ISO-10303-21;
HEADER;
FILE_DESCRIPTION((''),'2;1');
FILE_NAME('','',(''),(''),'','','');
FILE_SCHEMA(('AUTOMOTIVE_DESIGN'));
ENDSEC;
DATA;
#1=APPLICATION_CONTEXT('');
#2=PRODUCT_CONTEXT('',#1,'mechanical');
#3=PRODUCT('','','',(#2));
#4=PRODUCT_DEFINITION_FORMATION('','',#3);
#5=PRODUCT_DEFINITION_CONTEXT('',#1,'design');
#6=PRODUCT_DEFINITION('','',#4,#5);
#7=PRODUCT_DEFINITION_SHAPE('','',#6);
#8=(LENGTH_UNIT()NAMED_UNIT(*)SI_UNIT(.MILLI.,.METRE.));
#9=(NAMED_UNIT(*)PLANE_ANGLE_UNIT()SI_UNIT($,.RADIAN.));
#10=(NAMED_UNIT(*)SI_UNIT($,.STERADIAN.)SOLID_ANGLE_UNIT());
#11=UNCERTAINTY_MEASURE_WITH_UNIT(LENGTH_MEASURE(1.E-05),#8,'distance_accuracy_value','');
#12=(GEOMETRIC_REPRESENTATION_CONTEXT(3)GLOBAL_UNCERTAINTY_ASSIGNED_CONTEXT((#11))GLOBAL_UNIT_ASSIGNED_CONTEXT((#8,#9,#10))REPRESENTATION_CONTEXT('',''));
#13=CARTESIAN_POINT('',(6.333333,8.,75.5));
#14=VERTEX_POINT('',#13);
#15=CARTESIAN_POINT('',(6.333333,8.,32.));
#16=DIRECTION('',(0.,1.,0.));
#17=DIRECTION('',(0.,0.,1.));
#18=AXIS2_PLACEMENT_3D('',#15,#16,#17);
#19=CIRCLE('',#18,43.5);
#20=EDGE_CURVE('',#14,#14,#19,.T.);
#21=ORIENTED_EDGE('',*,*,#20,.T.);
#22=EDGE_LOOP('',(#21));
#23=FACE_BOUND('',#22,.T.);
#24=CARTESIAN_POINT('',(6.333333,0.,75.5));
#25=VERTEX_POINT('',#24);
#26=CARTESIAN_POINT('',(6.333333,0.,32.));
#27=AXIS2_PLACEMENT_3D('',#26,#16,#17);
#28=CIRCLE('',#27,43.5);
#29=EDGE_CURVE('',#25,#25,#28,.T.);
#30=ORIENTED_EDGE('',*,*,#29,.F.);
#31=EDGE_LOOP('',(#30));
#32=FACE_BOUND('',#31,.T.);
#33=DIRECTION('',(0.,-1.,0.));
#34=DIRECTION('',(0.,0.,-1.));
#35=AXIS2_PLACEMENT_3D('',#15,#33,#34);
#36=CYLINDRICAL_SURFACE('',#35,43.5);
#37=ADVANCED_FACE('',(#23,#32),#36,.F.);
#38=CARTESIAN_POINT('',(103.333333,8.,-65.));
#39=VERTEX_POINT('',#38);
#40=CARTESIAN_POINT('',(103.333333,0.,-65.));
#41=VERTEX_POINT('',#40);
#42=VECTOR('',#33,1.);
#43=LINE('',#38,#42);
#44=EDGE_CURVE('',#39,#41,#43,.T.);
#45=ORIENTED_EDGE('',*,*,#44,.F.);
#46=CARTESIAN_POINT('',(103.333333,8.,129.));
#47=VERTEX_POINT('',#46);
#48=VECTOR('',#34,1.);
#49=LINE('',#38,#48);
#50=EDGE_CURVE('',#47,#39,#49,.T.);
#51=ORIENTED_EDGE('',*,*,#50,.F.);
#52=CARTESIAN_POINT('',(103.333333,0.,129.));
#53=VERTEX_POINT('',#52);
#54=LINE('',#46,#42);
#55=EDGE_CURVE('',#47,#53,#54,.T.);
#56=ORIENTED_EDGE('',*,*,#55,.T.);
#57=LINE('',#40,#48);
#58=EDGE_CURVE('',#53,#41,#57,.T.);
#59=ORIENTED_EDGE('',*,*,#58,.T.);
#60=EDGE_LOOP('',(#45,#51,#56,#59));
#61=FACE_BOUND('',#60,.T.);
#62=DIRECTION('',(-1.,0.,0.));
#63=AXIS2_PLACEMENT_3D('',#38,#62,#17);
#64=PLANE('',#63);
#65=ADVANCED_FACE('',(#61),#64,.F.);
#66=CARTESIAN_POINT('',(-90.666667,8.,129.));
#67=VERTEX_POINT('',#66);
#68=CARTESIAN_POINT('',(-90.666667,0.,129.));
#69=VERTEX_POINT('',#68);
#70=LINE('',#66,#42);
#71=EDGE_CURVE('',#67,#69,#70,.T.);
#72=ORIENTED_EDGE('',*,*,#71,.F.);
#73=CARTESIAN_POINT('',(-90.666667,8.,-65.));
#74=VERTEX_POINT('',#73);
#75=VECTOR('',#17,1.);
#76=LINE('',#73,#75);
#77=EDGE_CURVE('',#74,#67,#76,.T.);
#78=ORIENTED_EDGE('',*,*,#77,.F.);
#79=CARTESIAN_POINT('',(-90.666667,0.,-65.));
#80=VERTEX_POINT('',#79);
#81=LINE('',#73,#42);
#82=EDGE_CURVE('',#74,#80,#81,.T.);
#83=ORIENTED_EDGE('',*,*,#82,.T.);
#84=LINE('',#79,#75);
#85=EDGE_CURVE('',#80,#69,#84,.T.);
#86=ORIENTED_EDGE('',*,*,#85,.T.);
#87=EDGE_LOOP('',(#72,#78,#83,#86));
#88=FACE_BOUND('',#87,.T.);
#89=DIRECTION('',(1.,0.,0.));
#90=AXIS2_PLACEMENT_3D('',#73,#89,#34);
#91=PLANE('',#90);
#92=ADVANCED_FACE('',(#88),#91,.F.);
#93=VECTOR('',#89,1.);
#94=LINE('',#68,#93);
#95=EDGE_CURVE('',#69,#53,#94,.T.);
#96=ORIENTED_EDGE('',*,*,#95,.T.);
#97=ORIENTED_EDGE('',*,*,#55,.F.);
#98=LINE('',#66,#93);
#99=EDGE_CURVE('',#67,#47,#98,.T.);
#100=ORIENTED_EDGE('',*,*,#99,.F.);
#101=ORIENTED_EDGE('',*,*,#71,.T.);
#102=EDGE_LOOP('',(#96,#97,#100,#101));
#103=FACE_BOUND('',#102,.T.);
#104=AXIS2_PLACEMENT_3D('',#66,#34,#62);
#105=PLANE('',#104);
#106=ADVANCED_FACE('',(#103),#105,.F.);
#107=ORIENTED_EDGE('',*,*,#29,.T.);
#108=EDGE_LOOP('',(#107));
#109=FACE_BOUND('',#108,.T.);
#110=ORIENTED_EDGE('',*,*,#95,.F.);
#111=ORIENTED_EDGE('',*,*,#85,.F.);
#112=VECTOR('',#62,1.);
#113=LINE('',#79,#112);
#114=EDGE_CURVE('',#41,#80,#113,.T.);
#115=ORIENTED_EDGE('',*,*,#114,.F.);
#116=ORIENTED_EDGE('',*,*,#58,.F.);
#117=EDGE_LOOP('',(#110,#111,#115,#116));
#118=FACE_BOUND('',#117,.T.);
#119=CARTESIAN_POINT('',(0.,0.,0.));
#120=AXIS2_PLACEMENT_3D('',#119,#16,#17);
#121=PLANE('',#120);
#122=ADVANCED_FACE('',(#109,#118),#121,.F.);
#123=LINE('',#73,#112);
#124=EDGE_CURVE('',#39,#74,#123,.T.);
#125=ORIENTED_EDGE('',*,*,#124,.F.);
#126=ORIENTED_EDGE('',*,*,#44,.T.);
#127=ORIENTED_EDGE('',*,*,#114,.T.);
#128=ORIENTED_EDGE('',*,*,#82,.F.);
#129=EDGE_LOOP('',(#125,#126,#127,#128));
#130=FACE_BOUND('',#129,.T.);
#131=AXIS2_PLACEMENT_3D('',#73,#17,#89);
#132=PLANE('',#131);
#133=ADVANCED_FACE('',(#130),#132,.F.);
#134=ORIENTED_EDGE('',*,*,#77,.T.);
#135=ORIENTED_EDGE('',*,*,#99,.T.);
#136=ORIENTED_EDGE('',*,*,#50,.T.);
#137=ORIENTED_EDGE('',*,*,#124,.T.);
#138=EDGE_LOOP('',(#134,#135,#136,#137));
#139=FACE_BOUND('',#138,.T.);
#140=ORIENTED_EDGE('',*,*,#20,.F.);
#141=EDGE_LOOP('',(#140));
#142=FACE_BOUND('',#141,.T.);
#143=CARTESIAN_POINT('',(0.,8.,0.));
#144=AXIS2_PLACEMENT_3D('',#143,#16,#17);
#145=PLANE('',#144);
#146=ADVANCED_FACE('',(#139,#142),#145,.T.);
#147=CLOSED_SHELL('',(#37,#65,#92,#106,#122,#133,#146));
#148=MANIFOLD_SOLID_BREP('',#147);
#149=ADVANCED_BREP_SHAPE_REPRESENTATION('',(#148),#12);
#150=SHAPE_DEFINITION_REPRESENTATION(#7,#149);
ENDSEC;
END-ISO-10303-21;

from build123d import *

# Parameters (mm, degrees)
SKETCH_1_W      = 194
SKETCH_1_H      = 194
SKETCH_1_R      = 43.5
EXTRUDE_1_DEPTH = 8


with BuildPart() as part:
    # 草图1 → 凸台-拉伸1 (new body)
    with BuildSketch(Plane(origin=(0, 0, 0), x_dir=(1, 0, 0), z_dir=(0, 1, 0))):
        with Locations((6.333333333, -32)):
            Rectangle(SKETCH_1_W, SKETCH_1_H)
        with Locations(Location((6.333333333, -32, 0), (0, 0, 270))):
            Circle(SKETCH_1_R, mode=Mode.SUBTRACT)
    extrude(amount=EXTRUDE_1_DEPTH)


solid = part.part
